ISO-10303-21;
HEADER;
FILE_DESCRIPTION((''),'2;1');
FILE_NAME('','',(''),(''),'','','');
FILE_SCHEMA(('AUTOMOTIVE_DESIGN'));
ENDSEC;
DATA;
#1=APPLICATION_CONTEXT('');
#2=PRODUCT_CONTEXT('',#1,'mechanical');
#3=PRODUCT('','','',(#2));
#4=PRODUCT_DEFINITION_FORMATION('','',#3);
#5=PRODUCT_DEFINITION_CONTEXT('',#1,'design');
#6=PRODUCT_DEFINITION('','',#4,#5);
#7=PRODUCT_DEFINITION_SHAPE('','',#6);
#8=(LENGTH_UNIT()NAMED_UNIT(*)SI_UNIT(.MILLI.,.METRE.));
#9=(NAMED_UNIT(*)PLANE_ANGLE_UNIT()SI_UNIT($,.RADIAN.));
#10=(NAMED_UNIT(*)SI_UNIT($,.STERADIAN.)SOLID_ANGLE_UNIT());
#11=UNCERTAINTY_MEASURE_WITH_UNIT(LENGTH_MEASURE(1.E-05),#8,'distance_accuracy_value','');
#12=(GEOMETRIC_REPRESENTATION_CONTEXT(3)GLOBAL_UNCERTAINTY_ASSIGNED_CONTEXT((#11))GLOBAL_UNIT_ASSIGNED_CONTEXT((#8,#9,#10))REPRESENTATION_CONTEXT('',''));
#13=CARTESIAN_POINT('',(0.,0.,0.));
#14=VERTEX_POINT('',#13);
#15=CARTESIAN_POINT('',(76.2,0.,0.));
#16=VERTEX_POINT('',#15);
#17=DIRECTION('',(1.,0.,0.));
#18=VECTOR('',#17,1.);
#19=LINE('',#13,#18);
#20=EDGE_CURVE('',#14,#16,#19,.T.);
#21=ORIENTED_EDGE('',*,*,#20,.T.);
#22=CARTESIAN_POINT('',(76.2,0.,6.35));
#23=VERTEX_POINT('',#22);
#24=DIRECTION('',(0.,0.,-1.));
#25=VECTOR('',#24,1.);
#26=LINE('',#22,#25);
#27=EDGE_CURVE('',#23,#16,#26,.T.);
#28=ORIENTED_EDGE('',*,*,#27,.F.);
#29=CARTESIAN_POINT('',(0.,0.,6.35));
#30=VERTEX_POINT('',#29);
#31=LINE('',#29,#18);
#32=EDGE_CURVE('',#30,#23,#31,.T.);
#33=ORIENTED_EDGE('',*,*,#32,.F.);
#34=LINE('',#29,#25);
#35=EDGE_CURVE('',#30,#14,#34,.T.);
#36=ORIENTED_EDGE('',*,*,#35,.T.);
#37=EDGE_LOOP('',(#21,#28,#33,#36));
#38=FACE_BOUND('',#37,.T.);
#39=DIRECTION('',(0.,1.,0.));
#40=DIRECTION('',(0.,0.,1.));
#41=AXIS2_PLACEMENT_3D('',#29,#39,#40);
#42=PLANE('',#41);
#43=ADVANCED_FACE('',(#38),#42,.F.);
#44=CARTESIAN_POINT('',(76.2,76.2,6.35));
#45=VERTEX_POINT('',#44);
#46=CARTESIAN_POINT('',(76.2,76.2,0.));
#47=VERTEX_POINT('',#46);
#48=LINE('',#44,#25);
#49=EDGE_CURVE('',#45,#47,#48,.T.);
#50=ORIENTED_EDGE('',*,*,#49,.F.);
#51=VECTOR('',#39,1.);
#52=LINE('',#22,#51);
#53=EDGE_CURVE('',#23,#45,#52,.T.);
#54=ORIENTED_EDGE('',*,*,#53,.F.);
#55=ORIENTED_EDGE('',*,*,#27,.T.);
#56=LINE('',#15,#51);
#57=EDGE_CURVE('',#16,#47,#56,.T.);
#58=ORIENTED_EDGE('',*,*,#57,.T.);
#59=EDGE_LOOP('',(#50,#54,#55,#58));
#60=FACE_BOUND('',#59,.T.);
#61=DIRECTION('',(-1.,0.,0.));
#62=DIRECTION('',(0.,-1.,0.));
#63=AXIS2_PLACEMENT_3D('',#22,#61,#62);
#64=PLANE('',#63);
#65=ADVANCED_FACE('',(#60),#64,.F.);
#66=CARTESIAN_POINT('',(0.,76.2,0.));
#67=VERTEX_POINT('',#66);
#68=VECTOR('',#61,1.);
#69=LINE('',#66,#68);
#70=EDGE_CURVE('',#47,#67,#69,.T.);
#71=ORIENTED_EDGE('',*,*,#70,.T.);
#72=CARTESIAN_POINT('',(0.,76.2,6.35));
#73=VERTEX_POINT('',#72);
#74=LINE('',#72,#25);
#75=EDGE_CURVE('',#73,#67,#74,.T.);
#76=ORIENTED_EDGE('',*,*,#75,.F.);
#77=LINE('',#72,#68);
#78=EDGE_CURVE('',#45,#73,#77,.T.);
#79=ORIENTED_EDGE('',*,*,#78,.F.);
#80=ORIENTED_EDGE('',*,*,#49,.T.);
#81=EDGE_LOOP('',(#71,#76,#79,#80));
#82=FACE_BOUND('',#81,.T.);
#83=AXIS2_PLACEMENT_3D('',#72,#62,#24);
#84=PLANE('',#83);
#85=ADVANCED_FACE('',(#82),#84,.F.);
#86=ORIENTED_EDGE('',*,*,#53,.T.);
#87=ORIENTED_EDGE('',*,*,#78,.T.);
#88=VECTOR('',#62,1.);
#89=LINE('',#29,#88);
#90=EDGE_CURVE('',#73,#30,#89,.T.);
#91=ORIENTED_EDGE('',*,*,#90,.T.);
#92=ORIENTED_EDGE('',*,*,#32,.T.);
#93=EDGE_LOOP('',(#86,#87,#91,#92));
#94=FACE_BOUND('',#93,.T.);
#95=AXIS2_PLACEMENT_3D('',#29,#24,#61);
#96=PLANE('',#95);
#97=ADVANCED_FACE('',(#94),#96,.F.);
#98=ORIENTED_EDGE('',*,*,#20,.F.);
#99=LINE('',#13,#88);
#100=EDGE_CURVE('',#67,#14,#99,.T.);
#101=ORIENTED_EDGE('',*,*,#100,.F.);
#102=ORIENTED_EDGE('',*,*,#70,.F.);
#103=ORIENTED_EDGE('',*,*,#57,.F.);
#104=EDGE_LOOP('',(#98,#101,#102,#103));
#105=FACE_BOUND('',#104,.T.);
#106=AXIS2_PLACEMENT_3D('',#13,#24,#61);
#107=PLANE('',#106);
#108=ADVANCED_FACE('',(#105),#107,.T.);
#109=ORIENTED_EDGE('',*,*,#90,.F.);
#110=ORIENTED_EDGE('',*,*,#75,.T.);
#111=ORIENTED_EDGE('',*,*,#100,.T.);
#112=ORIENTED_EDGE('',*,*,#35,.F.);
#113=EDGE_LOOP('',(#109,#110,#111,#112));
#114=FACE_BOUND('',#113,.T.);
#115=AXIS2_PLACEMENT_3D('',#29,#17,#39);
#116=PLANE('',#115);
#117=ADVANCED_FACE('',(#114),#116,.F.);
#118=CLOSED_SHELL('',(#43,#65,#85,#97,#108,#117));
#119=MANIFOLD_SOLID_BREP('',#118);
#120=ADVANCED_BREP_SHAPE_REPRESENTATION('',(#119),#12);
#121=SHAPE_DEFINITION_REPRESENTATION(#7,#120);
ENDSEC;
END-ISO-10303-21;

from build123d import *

# Parameters (mm, degrees)
SKETCH1_W           = 76.2
SKETCH1_H           = 76.2
BOSS_EXTRUDE1_DEPTH = 6.35


with BuildPart() as part:
    # Sketch1 → Boss-Extrude1 (new body)
    with BuildSketch(Plane.XY):
        with Locations((38.1, 38.1)):
            Rectangle(SKETCH1_W, SKETCH1_H)
    extrude(amount=BOSS_EXTRUDE1_DEPTH)


solid = part.part
